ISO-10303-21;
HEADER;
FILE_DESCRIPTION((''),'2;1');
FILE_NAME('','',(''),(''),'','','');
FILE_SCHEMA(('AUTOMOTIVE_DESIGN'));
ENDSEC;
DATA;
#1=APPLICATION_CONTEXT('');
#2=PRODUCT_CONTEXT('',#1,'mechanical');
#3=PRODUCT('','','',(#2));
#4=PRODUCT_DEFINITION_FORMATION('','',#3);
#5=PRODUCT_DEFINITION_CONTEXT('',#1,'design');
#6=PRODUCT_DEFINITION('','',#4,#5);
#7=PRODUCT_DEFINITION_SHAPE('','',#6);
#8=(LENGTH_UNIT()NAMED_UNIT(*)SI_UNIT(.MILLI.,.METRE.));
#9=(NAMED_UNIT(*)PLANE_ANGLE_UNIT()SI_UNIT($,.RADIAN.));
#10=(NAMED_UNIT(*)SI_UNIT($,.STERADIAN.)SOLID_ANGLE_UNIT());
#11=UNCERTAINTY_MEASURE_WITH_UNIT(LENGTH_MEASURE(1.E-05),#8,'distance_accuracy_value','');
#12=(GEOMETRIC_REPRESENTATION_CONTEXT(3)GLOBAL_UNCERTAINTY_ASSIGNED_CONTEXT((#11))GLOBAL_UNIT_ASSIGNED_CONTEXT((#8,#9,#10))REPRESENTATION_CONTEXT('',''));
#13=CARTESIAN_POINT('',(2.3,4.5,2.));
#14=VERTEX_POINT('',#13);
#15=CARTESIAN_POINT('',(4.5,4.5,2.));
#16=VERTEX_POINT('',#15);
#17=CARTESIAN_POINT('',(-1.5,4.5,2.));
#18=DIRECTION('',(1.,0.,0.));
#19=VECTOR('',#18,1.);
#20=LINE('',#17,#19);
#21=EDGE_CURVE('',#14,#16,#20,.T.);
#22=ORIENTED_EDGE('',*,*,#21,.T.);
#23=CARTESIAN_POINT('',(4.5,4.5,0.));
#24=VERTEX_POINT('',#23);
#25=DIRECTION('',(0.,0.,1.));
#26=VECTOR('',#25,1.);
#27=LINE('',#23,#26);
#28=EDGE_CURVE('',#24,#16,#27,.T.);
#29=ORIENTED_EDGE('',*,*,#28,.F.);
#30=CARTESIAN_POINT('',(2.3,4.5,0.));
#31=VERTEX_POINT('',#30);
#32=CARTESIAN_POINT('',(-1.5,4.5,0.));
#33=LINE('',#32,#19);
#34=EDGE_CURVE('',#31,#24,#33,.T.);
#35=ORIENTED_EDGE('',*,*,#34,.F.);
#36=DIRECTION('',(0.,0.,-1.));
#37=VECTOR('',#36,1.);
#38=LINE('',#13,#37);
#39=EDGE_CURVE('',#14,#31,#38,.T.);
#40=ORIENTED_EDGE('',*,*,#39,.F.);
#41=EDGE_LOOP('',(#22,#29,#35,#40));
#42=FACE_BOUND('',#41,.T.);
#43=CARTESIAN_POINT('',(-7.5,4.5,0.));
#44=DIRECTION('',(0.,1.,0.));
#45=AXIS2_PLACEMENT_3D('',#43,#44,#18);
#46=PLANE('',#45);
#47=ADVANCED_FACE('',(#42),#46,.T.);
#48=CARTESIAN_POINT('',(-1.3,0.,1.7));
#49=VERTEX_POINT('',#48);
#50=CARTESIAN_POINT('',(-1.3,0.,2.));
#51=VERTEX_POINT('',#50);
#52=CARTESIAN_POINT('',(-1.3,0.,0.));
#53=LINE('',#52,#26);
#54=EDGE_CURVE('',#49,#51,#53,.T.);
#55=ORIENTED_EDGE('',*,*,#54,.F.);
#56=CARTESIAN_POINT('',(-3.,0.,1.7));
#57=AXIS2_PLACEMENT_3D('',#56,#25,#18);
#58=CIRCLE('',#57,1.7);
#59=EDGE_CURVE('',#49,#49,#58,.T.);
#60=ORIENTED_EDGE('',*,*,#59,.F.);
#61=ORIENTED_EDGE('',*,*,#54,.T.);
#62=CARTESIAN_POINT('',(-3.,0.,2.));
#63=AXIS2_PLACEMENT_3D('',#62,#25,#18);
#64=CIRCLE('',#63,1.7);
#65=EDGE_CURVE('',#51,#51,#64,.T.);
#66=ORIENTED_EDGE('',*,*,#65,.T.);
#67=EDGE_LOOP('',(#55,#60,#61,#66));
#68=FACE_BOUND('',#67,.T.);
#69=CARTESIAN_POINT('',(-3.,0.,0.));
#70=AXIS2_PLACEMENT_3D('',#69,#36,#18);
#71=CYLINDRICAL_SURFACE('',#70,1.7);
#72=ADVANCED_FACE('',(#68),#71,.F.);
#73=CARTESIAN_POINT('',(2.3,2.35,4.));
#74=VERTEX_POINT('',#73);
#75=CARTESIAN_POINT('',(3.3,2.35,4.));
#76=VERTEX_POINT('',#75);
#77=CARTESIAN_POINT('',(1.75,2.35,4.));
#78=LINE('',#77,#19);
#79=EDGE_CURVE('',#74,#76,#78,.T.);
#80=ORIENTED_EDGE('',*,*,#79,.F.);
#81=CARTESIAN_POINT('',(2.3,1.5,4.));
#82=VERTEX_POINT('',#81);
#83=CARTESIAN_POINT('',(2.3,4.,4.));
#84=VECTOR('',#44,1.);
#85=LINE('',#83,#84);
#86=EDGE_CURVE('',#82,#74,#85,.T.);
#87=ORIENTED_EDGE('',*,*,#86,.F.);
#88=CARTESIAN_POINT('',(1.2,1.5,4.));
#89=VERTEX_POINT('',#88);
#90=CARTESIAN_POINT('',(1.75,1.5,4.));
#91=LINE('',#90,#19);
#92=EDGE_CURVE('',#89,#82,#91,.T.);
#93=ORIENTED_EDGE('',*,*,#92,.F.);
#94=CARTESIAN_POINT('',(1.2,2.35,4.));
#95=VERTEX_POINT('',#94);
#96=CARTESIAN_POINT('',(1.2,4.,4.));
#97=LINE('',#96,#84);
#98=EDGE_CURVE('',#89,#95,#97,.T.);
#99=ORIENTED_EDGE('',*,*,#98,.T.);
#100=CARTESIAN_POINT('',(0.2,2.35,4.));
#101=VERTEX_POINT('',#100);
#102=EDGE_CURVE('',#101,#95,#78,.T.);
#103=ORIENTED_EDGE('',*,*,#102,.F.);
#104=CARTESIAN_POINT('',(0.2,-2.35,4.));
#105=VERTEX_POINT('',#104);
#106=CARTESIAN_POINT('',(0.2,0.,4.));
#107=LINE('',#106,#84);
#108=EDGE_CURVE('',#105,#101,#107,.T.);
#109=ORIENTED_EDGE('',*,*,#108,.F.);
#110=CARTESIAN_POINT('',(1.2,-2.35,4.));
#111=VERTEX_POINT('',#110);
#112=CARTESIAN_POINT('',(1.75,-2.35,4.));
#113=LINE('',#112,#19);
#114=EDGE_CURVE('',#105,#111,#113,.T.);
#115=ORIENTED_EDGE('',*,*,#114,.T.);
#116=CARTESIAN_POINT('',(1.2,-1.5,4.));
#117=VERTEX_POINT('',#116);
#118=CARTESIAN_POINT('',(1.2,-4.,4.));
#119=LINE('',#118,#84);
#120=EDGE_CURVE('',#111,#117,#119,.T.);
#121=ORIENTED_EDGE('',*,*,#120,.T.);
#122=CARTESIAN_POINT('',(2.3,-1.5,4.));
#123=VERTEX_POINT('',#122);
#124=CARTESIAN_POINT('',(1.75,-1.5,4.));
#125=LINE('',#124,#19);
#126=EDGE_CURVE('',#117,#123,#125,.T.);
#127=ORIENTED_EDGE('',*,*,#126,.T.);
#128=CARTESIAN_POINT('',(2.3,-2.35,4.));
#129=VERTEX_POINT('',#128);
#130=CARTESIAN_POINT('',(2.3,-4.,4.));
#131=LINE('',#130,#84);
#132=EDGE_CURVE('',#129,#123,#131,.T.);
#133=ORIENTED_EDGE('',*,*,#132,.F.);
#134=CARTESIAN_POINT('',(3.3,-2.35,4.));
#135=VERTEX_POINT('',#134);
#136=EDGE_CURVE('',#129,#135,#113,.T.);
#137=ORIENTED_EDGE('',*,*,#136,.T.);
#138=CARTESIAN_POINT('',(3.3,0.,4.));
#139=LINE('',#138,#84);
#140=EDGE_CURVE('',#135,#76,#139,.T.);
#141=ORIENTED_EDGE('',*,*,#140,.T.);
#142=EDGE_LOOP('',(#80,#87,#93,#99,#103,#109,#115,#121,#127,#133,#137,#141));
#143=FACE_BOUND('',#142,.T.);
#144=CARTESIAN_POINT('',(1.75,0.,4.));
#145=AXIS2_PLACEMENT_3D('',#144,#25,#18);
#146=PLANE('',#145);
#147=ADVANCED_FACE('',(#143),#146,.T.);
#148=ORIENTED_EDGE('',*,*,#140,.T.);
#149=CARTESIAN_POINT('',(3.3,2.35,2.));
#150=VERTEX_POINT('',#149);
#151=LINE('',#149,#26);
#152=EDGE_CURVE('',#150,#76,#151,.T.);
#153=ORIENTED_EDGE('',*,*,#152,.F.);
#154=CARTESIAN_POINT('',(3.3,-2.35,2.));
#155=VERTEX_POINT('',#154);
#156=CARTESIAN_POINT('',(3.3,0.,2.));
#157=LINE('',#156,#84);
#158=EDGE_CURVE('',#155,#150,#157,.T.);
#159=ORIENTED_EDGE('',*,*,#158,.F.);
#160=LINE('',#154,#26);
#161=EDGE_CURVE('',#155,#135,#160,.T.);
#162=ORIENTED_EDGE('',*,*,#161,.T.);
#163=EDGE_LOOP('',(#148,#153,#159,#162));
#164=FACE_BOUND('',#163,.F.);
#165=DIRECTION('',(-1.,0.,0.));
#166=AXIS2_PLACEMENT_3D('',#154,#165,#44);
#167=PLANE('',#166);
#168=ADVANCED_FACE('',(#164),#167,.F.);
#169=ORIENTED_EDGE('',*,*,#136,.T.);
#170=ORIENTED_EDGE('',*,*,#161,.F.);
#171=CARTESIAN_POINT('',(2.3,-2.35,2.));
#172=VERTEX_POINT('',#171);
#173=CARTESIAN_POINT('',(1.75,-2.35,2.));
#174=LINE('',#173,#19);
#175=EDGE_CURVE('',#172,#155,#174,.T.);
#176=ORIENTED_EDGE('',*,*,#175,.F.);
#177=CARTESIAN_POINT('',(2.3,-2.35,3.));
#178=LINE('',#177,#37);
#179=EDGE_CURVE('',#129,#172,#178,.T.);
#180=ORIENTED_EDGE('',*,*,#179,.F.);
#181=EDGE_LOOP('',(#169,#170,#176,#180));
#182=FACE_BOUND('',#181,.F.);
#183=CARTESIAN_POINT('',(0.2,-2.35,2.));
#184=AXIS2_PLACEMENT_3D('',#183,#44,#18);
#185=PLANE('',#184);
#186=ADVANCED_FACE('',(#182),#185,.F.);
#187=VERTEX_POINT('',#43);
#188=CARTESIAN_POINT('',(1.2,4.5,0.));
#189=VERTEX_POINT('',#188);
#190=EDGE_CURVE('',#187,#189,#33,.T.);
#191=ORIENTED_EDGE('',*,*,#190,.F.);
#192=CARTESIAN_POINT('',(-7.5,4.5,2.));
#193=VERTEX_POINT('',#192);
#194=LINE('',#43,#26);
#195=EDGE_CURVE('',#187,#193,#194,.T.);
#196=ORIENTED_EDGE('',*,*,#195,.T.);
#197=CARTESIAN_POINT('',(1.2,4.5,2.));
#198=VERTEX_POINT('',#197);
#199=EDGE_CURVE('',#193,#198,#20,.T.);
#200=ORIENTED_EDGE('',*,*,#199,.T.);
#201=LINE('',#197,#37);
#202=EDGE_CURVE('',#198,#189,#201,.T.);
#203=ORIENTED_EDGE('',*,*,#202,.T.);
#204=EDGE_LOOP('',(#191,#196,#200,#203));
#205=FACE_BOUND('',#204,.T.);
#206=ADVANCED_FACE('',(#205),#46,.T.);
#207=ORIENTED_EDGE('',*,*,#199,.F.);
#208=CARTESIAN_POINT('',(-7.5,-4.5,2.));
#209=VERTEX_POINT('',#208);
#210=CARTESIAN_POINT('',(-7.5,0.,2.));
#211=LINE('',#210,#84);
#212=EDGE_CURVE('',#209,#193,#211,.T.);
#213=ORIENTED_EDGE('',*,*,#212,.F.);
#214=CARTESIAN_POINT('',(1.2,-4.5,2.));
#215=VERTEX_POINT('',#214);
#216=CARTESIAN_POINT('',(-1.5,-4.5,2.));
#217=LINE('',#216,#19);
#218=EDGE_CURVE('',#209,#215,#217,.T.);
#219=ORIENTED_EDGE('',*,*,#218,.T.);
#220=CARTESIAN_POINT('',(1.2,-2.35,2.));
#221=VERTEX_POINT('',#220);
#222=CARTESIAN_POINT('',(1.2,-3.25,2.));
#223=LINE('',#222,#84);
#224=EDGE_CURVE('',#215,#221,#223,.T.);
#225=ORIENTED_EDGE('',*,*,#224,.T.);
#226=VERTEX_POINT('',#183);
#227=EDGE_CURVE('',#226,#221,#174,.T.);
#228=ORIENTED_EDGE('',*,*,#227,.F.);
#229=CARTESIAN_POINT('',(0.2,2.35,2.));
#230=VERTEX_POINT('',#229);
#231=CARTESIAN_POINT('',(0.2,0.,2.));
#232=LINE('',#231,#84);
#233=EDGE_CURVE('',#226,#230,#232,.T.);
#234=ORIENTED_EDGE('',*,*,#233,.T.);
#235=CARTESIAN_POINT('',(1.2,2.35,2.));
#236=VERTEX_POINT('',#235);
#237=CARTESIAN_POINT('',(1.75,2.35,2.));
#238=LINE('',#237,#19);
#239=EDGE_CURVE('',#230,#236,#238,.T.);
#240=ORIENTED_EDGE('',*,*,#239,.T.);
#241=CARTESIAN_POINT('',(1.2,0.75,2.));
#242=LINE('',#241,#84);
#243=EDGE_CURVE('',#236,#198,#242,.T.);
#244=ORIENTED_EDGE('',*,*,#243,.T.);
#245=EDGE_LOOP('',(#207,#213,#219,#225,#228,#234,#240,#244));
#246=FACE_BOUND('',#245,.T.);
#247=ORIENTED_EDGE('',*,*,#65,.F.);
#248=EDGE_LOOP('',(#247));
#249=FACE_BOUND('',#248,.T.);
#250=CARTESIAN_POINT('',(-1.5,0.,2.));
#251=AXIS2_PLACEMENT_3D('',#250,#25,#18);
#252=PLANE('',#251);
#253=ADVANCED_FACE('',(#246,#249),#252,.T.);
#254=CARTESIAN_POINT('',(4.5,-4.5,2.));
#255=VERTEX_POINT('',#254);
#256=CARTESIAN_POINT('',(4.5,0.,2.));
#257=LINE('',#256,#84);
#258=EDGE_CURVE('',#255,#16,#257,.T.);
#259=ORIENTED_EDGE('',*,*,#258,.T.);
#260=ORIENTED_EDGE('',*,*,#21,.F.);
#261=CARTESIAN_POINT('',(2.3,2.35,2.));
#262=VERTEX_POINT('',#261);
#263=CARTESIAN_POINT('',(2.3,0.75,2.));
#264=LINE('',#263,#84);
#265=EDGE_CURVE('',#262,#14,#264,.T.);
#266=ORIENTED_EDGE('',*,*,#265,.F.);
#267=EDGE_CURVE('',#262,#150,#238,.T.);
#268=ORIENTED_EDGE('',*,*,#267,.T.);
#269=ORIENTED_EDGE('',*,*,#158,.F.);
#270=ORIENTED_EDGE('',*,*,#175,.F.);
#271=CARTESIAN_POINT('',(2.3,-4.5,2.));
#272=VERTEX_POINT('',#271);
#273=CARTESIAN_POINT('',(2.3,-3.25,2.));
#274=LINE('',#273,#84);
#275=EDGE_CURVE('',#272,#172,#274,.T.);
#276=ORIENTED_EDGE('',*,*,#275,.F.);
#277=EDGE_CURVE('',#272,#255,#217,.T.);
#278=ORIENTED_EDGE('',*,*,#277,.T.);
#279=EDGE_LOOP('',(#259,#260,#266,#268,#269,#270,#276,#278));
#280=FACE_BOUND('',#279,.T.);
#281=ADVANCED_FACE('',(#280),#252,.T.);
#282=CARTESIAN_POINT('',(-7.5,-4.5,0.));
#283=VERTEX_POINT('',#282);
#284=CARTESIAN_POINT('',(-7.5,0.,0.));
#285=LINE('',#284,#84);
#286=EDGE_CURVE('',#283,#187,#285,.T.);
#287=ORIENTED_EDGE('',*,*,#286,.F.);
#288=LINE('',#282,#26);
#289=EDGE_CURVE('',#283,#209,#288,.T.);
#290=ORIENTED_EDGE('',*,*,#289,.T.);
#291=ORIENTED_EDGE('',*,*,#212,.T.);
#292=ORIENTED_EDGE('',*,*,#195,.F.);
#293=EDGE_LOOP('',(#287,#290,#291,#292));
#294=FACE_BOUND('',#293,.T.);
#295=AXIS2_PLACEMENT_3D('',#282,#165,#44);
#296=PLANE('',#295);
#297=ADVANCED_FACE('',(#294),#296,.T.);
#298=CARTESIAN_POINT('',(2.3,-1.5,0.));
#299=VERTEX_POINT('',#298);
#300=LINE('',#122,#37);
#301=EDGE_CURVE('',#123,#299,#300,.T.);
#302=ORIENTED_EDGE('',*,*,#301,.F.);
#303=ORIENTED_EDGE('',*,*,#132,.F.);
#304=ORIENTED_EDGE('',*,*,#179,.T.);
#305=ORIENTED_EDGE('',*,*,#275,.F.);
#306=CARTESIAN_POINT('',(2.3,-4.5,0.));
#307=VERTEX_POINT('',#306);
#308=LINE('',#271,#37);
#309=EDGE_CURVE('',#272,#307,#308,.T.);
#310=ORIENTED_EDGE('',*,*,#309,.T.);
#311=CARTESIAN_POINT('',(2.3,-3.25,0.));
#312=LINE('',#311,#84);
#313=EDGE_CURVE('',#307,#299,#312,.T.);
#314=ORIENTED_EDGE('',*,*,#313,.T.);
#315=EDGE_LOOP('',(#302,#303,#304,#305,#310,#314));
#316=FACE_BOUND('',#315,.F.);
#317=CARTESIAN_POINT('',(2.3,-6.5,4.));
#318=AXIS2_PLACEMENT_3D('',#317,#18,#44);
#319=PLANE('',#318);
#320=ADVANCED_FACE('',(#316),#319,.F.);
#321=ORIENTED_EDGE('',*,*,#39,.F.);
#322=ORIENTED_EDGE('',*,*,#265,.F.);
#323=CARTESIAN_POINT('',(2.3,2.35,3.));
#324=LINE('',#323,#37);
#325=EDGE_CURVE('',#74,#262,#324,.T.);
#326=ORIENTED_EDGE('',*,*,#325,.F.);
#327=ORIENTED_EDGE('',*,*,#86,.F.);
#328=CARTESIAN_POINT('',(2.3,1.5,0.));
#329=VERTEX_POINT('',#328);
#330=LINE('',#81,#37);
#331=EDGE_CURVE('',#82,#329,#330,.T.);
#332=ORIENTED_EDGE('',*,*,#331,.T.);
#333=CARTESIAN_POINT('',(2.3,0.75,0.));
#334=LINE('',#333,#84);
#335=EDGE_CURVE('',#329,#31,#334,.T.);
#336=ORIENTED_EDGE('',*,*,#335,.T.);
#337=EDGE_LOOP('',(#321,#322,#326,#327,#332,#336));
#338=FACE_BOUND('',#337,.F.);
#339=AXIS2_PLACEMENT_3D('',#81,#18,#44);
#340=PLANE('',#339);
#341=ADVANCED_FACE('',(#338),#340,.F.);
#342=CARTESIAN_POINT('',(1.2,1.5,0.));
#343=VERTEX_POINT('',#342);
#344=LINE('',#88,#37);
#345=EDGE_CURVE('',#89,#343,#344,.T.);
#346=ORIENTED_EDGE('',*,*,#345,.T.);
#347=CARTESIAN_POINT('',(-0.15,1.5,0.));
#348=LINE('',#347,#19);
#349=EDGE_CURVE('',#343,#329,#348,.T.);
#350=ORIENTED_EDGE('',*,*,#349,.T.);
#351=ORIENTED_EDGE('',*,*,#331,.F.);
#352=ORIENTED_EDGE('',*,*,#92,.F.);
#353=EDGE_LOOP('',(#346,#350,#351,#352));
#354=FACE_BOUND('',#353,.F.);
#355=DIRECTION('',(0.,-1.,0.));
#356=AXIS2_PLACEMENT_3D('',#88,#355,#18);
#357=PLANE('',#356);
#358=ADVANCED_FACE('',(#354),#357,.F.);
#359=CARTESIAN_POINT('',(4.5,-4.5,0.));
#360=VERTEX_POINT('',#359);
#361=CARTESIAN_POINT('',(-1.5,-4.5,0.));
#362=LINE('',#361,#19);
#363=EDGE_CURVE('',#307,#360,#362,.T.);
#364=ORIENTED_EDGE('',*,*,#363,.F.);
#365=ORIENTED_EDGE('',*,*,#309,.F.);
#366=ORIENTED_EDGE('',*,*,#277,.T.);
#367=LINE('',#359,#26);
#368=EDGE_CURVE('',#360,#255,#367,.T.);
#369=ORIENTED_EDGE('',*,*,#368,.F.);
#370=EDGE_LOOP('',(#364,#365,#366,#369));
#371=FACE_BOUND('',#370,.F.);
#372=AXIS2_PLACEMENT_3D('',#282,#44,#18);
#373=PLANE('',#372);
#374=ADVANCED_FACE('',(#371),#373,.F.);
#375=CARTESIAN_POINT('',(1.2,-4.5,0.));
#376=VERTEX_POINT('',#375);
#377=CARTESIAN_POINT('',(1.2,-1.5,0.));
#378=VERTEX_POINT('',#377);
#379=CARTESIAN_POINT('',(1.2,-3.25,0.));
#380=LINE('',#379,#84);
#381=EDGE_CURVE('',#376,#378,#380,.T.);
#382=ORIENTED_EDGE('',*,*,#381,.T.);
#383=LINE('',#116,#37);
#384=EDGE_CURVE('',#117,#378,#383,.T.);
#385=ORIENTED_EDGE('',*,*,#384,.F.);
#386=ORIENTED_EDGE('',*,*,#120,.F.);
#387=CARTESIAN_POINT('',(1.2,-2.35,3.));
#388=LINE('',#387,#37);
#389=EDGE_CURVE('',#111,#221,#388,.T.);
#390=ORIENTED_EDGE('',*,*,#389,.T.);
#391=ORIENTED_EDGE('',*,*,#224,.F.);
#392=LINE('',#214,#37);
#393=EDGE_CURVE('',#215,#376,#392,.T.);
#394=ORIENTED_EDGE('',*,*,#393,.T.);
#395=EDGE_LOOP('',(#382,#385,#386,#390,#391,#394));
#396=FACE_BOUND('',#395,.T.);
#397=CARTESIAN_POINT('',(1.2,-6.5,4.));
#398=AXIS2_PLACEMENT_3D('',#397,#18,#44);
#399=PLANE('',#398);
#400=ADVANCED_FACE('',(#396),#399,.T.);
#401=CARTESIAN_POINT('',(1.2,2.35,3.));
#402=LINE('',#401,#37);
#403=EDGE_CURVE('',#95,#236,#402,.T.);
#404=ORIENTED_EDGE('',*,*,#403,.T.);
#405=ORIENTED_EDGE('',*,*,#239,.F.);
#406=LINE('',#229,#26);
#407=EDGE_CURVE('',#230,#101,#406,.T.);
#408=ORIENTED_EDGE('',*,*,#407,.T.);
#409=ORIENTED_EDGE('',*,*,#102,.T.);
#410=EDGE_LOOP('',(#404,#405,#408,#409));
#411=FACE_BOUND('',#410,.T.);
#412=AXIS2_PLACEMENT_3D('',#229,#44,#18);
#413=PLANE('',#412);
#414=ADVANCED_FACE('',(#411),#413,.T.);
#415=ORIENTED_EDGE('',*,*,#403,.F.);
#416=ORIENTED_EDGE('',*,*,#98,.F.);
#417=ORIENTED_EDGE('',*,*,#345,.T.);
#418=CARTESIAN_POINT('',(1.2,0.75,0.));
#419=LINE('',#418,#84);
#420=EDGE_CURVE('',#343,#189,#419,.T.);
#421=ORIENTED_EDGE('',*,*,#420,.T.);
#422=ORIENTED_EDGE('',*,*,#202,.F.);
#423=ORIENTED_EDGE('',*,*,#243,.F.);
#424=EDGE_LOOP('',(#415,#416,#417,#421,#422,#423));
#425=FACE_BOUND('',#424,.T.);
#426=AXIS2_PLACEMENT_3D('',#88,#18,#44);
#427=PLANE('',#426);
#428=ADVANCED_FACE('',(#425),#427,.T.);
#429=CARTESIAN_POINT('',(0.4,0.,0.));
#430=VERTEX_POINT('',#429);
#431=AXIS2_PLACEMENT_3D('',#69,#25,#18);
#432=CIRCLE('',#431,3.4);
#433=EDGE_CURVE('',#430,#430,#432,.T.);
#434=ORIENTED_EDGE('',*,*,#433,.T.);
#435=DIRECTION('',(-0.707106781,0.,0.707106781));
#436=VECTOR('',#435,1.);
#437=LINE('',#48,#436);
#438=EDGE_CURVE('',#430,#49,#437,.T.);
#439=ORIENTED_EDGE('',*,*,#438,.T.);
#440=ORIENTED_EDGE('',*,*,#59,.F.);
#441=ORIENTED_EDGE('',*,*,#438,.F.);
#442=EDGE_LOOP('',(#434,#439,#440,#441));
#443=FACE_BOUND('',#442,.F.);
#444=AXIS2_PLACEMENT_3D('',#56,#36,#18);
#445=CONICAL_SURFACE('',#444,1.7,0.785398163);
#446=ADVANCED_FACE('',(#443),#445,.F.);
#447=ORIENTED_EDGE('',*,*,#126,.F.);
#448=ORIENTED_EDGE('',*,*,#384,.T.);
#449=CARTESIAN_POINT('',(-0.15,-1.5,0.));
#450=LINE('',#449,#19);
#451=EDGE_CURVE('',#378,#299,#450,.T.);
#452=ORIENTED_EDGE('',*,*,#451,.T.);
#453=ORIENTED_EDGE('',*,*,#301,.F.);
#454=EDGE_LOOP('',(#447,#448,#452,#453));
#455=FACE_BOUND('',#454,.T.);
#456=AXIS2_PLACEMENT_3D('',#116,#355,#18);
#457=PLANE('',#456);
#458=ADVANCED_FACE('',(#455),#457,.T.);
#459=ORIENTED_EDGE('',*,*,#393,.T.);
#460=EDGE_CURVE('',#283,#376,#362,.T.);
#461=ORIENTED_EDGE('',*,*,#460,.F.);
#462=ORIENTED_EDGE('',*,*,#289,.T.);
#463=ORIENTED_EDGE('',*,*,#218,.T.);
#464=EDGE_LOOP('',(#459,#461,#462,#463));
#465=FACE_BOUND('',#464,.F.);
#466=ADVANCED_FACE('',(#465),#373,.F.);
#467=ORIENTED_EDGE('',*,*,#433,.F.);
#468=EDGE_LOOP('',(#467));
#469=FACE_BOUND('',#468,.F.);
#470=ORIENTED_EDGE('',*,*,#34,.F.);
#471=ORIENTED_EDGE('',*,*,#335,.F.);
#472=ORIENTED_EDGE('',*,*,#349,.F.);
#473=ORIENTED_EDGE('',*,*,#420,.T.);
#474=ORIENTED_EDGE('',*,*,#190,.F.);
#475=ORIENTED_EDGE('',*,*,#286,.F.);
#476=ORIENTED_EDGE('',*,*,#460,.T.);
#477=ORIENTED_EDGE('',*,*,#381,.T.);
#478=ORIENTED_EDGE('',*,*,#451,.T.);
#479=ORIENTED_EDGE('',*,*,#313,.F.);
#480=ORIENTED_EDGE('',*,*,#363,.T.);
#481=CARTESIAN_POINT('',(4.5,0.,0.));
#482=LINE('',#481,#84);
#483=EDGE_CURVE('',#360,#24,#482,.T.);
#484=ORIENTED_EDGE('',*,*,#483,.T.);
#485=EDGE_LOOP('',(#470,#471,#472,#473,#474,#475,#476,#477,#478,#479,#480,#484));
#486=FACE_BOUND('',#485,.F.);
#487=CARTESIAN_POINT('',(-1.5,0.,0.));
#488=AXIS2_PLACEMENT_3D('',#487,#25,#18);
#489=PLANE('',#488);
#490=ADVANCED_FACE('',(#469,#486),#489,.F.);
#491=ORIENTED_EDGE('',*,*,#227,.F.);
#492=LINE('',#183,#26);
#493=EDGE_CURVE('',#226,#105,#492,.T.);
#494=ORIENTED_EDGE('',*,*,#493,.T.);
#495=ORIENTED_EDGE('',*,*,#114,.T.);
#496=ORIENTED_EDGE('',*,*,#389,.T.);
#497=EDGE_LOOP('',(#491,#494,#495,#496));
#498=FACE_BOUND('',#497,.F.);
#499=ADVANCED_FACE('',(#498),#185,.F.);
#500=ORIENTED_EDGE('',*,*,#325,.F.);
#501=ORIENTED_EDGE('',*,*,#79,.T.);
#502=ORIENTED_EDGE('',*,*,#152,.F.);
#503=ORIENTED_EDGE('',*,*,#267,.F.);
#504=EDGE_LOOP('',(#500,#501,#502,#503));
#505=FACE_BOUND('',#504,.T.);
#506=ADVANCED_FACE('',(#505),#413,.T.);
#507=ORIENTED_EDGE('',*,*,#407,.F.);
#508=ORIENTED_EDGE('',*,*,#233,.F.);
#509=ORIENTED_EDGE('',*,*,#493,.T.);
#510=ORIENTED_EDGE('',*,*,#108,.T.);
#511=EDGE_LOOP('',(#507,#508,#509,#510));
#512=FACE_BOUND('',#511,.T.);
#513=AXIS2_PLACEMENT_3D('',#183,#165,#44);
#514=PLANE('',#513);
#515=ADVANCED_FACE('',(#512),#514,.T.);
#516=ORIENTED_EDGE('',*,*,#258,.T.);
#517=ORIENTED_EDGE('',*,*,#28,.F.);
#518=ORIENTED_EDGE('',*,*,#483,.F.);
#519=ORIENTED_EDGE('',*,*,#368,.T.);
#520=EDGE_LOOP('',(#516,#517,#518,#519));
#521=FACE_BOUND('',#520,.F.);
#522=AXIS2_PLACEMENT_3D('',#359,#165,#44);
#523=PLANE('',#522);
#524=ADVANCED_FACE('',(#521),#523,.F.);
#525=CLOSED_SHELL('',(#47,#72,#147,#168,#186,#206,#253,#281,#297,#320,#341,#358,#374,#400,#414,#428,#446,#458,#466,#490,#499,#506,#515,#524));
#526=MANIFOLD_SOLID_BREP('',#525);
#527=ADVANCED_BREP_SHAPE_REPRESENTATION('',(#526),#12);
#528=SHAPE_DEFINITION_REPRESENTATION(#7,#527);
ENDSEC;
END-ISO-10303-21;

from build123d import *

# Parameters (mm, degrees)
SKETCH_W     = 12
SKETCH_H     = 9
SKETCH_R     = 1.7
PAD_DEPTH    = 2
SKETCH001_W  = 3.1
SKETCH001_H  = 4.7
PAD001_DEPTH = 2
SKETCH002_W  = 1.1
SKETCH002_H  = 5
POCKET_DEPTH = 4.001
CHAMFER_SIZE = 1.7


with BuildPart() as part:
    # Sketch → Pad (new body)
    with BuildSketch(Plane.XY):
        with Locations((-1.5, 0)):
            Rectangle(SKETCH_W, SKETCH_H)
        with Locations((-3, 0)):
            Circle(SKETCH_R, mode=Mode.SUBTRACT)
    extrude(amount=PAD_DEPTH)

    # Sketch001 → Pad001 (new body)
    with BuildSketch(Plane.XY.offset(2)):
        with Locations((1.75, 0)):
            Rectangle(SKETCH001_W, SKETCH001_H)
    extrude(amount=PAD001_DEPTH)

    # Sketch002 → Pocket (cut, through all)
    with BuildSketch(Plane.XY.offset(4)):
        with Locations((1.75, 4)):
            Rectangle(SKETCH002_W, SKETCH002_H)
        with Locations((1.75, -4)):
            Rectangle(SKETCH002_W, SKETCH002_H)
    extrude(amount=-POCKET_DEPTH, mode=Mode.SUBTRACT)

    # Chamfer
    chamfer_edges = [part.edges().sort_by_distance(p)[0] for p in [
        (-4.7, 0, 0),
    ]]
    chamfer(chamfer_edges, length=CHAMFER_SIZE)


solid = part.part
